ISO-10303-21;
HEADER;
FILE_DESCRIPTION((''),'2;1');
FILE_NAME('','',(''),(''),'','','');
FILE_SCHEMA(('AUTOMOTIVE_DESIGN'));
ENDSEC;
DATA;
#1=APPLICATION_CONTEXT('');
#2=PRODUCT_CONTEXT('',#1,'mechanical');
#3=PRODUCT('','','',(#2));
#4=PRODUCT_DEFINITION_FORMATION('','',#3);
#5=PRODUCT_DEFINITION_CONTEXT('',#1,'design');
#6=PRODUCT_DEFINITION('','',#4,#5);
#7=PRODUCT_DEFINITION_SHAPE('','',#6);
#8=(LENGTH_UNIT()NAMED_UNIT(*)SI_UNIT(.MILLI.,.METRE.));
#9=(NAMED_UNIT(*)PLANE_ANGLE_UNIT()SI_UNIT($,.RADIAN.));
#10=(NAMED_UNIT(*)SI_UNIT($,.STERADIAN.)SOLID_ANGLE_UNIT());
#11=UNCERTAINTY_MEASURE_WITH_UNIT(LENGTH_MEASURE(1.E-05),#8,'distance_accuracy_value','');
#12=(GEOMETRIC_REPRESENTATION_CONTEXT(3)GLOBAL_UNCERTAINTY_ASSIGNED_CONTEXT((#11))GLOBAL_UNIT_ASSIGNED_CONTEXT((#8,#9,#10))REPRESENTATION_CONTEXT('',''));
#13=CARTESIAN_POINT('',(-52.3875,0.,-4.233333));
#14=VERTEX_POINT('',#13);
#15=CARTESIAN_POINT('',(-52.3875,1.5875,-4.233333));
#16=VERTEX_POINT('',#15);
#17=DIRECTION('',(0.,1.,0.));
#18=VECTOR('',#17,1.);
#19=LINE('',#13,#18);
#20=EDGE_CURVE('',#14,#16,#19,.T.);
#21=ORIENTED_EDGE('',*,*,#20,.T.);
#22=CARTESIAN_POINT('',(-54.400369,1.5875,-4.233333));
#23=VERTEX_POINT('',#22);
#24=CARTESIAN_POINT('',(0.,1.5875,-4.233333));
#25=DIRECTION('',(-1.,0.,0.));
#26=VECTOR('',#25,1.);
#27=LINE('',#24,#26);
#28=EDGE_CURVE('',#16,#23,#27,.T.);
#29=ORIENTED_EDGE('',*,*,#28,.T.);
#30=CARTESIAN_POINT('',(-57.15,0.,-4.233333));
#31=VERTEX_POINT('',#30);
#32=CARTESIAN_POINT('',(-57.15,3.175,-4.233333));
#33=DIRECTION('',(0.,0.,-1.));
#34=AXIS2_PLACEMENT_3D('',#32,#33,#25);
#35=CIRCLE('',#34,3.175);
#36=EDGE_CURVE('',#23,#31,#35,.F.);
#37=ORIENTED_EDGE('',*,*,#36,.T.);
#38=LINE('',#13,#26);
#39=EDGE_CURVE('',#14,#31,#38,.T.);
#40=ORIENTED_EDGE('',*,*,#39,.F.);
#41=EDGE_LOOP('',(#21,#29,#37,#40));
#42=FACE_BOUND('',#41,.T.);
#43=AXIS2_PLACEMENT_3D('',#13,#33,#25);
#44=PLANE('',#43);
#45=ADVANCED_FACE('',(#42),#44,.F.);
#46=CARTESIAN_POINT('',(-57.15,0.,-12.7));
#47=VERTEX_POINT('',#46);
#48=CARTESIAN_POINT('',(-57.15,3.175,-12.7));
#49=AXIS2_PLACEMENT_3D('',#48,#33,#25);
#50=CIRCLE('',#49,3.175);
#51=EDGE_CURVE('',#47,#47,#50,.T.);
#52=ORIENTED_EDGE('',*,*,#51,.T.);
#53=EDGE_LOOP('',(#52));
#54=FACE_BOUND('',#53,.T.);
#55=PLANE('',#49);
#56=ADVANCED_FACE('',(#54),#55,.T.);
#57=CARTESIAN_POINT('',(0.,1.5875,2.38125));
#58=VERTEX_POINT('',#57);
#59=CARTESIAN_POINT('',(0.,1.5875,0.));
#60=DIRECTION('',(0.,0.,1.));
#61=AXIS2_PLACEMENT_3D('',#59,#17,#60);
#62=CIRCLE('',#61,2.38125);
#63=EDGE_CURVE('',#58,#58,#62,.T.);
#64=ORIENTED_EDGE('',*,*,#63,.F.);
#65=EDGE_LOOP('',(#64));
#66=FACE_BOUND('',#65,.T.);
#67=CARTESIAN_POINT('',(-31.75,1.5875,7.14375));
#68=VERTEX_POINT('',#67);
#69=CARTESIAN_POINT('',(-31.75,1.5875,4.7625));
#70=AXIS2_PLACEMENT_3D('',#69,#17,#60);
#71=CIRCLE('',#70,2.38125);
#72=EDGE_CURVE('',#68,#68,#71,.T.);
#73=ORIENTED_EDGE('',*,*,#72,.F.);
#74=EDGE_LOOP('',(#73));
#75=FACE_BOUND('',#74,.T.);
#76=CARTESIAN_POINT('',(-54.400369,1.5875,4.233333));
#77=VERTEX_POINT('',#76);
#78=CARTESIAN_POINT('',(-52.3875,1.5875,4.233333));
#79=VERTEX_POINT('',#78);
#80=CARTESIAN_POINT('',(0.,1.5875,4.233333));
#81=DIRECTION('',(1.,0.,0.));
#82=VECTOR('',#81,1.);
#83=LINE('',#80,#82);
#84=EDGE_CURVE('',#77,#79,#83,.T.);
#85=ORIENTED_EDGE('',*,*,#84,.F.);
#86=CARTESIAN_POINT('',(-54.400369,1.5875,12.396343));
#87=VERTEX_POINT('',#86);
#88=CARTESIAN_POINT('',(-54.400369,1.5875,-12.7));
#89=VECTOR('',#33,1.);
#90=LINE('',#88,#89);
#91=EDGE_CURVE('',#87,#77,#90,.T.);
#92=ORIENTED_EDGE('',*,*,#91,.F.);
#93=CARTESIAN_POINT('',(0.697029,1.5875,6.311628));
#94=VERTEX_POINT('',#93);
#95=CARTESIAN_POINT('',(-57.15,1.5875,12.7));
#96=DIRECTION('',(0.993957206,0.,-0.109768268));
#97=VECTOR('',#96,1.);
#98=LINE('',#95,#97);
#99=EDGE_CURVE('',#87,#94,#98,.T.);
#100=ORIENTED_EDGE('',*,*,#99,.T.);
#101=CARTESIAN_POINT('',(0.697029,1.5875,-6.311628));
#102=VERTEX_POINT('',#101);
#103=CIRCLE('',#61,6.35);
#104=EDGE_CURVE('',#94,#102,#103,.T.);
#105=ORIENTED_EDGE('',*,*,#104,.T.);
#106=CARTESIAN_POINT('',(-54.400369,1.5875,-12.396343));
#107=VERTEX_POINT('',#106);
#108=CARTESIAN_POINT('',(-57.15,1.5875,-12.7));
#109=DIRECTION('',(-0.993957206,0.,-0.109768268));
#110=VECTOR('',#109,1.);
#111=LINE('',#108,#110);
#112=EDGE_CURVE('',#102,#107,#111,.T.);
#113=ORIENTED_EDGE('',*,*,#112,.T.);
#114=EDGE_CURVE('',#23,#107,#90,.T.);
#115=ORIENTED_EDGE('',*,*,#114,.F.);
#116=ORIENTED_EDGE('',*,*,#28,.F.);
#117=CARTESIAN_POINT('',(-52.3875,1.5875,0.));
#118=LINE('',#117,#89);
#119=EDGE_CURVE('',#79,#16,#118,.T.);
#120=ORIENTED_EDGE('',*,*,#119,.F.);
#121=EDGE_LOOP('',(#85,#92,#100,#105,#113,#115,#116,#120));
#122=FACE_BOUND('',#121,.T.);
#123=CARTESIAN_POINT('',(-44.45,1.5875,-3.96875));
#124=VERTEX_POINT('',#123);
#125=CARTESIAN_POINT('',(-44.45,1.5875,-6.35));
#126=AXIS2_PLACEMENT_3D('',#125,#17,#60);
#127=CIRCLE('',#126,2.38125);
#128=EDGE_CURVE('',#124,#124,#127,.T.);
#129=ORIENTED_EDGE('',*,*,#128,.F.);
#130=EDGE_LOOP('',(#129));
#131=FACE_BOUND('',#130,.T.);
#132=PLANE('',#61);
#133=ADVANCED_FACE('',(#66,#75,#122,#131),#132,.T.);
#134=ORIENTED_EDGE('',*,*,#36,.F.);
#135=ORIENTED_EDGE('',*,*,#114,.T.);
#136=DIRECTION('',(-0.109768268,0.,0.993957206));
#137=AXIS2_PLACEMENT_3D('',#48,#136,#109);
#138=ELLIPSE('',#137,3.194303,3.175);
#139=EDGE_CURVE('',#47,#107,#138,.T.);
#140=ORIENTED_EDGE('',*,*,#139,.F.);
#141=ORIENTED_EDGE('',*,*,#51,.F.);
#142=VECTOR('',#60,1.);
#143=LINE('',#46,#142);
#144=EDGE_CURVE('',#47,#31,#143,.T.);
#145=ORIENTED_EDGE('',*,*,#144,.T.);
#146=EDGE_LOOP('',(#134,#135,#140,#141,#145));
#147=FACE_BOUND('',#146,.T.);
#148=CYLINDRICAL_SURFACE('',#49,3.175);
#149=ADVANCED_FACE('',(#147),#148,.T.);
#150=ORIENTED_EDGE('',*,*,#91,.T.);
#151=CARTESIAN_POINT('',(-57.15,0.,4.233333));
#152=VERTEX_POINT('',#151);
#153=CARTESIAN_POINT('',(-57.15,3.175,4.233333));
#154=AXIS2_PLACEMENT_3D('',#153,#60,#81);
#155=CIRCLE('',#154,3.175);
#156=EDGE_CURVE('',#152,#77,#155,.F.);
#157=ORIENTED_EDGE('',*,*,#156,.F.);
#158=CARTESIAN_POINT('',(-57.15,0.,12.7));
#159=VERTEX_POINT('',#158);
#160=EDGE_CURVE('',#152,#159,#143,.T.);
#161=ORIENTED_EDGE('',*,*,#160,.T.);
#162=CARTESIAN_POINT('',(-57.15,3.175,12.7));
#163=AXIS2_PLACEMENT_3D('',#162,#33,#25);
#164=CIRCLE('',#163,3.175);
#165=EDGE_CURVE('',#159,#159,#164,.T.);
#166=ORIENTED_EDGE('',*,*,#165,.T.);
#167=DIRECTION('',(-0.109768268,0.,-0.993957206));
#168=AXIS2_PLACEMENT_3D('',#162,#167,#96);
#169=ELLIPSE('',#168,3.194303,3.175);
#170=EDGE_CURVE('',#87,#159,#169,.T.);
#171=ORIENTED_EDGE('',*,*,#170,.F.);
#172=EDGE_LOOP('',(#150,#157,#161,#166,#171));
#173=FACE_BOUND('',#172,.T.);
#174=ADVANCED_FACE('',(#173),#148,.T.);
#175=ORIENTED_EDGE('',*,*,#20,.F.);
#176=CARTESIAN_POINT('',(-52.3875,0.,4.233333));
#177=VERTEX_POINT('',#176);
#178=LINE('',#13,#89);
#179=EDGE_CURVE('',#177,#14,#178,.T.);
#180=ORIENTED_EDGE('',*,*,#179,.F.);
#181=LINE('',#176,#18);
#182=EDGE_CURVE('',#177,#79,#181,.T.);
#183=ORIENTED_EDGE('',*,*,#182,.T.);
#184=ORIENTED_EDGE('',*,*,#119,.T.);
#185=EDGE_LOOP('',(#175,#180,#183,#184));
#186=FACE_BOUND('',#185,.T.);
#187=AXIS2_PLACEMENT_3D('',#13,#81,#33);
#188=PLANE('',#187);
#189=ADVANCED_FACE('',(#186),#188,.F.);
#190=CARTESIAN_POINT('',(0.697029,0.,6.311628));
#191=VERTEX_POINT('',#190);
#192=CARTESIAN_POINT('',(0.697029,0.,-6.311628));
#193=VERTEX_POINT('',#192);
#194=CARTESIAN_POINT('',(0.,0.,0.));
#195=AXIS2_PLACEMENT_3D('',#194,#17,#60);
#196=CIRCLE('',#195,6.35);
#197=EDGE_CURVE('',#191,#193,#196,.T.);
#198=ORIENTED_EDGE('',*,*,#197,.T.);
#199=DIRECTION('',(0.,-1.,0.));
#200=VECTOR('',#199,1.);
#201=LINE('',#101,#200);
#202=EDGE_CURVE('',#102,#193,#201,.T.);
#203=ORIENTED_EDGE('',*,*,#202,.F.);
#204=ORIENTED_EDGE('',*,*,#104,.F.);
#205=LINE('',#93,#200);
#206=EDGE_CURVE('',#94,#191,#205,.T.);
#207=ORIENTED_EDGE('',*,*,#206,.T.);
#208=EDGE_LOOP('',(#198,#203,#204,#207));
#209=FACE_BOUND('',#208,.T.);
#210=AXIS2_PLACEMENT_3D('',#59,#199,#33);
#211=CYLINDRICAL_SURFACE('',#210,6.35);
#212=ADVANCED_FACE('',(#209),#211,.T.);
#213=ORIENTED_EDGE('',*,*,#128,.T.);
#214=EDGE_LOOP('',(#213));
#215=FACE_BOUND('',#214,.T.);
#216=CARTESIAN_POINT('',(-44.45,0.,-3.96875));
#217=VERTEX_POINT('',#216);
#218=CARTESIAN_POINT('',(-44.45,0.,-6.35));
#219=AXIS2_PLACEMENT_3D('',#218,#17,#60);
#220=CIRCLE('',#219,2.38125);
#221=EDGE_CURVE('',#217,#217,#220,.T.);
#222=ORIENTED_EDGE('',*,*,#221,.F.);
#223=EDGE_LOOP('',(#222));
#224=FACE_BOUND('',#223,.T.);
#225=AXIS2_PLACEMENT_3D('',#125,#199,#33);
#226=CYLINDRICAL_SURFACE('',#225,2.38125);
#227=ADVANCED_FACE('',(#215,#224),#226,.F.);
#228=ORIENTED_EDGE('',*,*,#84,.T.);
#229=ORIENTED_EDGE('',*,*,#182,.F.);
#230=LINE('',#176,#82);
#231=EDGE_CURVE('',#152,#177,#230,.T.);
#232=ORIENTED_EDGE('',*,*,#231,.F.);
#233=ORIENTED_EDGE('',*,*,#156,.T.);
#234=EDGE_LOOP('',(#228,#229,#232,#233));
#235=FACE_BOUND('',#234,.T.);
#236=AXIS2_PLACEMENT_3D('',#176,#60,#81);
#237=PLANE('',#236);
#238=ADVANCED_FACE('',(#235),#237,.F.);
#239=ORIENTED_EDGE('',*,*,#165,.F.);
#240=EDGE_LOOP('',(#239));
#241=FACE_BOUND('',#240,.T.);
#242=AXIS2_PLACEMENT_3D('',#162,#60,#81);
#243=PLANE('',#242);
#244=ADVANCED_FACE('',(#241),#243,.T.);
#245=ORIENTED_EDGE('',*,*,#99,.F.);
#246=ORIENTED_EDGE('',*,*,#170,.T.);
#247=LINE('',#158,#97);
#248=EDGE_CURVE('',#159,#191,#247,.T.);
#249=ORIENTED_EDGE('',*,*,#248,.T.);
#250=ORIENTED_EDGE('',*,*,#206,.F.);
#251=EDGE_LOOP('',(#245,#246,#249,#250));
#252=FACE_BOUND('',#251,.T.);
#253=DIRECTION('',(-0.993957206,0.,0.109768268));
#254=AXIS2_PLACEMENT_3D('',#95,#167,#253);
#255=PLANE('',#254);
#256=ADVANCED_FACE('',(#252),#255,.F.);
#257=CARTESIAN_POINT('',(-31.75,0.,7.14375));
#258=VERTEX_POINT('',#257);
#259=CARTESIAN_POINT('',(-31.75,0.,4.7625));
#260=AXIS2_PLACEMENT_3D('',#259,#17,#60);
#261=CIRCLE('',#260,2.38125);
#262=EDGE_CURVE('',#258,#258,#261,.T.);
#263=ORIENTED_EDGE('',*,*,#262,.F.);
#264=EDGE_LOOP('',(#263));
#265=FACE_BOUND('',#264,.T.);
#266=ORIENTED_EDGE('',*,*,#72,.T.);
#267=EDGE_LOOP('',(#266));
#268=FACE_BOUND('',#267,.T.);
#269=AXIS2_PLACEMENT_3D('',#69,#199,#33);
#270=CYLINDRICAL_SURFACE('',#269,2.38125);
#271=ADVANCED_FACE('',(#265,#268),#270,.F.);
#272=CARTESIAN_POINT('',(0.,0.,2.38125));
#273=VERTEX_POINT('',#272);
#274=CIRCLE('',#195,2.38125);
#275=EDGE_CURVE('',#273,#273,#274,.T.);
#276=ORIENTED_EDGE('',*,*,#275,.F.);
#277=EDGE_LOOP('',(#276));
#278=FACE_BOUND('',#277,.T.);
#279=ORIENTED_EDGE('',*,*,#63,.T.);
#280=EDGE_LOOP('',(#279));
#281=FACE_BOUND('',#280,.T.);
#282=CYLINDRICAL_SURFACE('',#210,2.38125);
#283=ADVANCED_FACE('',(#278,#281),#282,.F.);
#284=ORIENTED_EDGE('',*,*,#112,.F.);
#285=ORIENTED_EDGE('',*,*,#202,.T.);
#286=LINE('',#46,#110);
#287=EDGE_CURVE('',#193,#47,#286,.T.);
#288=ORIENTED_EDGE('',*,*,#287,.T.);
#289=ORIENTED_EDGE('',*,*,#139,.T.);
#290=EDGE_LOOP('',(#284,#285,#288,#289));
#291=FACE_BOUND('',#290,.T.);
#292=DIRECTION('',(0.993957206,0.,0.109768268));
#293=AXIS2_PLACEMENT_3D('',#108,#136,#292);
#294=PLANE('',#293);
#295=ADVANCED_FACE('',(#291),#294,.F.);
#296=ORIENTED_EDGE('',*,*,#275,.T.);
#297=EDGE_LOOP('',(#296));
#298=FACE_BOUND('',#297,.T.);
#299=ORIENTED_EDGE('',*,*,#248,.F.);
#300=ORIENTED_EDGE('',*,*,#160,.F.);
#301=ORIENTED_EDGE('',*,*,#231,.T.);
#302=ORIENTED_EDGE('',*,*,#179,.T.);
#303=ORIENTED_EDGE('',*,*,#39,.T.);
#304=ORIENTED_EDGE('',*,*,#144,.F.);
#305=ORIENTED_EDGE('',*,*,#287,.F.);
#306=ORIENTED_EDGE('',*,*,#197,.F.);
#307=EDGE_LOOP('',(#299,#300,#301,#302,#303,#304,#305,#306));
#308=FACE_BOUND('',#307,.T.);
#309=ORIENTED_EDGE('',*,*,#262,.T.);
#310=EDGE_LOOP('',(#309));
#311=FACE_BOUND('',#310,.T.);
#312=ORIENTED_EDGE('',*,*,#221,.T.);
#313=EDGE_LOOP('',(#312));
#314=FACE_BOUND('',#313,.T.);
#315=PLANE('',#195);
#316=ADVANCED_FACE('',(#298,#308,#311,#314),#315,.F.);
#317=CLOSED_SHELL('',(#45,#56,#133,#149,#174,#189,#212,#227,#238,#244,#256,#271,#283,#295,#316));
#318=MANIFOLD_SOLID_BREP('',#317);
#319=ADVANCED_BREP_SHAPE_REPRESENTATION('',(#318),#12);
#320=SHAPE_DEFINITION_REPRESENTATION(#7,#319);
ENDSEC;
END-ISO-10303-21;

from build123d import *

# Parameters (mm, degrees)
SKETCH1_R               = 2.38125
BOSS_EXTRUDE1_DEPTH     = 1.5875
SKETCH2_W               = 25.4
SKETCH2_H               = 3.175
CUT_EXTRUDE1_DEPTH      = 62.831036149
CUT_EXTRUDE1_DEPTH_BACK = 62.831036149
SKETCH3_W               = 7.9375
SKETCH3_H               = 8.466666666


with BuildPart() as part:
    # Sketch1 → Boss-Extrude1 (new body)
    with BuildSketch(Plane(origin=(0, 0, 0), x_dir=(1, 0, 0), z_dir=(0, 1, 0))):
        with BuildLine():
            Line((-57.15, 12.7), (-57.15, -12.7))
            Line((-57.15, -12.7), (0.697028502, -6.311628258))
            ThreePointArc((0.697028502, -6.311628258), (6.35, 0), (0.697028502, 6.311628258))
            Line((0.697028502, 6.311628258), (-57.15, 12.7))
        make_face()
        with Locations(Location((0, 0, 0), (0, 0, 270))):
            Circle(SKETCH1_R, mode=Mode.SUBTRACT)
        with Locations(Location((-44.45, 6.35, 0), (0, 0, 270))):
            Circle(SKETCH1_R, mode=Mode.SUBTRACT)
        with Locations(Location((-31.75, -4.7625, 0), (0, 0, 270))):
            Circle(SKETCH1_R, mode=Mode.SUBTRACT)
    extrude(amount=BOSS_EXTRUDE1_DEPTH)

    # Sketch2 → Revolve1 (revolve)
    with BuildSketch(Plane.ZY.offset(57.15)):
        with Locations((0, 1.5875)):
            Rectangle(SKETCH2_W, SKETCH2_H)
    revolve(axis=Axis((-57.15, 3.175, -12.7), (0, 0, 1)))

    # Sketch3 → Cut-Extrude1 (cut, two sides: drawn at the far end of the back side and taken through both)
    with BuildSketch(Plane(origin=(0, 1.5875, 0), x_dir=(1, 0, 0), z_dir=(0, 1, 0)).offset(-CUT_EXTRUDE1_DEPTH_BACK)):
        with Locations((-56.35625, 0)):
            Rectangle(SKETCH3_W, SKETCH3_H)
    extrude(amount=CUT_EXTRUDE1_DEPTH + CUT_EXTRUDE1_DEPTH_BACK, mode=Mode.SUBTRACT)


solid = part.part
